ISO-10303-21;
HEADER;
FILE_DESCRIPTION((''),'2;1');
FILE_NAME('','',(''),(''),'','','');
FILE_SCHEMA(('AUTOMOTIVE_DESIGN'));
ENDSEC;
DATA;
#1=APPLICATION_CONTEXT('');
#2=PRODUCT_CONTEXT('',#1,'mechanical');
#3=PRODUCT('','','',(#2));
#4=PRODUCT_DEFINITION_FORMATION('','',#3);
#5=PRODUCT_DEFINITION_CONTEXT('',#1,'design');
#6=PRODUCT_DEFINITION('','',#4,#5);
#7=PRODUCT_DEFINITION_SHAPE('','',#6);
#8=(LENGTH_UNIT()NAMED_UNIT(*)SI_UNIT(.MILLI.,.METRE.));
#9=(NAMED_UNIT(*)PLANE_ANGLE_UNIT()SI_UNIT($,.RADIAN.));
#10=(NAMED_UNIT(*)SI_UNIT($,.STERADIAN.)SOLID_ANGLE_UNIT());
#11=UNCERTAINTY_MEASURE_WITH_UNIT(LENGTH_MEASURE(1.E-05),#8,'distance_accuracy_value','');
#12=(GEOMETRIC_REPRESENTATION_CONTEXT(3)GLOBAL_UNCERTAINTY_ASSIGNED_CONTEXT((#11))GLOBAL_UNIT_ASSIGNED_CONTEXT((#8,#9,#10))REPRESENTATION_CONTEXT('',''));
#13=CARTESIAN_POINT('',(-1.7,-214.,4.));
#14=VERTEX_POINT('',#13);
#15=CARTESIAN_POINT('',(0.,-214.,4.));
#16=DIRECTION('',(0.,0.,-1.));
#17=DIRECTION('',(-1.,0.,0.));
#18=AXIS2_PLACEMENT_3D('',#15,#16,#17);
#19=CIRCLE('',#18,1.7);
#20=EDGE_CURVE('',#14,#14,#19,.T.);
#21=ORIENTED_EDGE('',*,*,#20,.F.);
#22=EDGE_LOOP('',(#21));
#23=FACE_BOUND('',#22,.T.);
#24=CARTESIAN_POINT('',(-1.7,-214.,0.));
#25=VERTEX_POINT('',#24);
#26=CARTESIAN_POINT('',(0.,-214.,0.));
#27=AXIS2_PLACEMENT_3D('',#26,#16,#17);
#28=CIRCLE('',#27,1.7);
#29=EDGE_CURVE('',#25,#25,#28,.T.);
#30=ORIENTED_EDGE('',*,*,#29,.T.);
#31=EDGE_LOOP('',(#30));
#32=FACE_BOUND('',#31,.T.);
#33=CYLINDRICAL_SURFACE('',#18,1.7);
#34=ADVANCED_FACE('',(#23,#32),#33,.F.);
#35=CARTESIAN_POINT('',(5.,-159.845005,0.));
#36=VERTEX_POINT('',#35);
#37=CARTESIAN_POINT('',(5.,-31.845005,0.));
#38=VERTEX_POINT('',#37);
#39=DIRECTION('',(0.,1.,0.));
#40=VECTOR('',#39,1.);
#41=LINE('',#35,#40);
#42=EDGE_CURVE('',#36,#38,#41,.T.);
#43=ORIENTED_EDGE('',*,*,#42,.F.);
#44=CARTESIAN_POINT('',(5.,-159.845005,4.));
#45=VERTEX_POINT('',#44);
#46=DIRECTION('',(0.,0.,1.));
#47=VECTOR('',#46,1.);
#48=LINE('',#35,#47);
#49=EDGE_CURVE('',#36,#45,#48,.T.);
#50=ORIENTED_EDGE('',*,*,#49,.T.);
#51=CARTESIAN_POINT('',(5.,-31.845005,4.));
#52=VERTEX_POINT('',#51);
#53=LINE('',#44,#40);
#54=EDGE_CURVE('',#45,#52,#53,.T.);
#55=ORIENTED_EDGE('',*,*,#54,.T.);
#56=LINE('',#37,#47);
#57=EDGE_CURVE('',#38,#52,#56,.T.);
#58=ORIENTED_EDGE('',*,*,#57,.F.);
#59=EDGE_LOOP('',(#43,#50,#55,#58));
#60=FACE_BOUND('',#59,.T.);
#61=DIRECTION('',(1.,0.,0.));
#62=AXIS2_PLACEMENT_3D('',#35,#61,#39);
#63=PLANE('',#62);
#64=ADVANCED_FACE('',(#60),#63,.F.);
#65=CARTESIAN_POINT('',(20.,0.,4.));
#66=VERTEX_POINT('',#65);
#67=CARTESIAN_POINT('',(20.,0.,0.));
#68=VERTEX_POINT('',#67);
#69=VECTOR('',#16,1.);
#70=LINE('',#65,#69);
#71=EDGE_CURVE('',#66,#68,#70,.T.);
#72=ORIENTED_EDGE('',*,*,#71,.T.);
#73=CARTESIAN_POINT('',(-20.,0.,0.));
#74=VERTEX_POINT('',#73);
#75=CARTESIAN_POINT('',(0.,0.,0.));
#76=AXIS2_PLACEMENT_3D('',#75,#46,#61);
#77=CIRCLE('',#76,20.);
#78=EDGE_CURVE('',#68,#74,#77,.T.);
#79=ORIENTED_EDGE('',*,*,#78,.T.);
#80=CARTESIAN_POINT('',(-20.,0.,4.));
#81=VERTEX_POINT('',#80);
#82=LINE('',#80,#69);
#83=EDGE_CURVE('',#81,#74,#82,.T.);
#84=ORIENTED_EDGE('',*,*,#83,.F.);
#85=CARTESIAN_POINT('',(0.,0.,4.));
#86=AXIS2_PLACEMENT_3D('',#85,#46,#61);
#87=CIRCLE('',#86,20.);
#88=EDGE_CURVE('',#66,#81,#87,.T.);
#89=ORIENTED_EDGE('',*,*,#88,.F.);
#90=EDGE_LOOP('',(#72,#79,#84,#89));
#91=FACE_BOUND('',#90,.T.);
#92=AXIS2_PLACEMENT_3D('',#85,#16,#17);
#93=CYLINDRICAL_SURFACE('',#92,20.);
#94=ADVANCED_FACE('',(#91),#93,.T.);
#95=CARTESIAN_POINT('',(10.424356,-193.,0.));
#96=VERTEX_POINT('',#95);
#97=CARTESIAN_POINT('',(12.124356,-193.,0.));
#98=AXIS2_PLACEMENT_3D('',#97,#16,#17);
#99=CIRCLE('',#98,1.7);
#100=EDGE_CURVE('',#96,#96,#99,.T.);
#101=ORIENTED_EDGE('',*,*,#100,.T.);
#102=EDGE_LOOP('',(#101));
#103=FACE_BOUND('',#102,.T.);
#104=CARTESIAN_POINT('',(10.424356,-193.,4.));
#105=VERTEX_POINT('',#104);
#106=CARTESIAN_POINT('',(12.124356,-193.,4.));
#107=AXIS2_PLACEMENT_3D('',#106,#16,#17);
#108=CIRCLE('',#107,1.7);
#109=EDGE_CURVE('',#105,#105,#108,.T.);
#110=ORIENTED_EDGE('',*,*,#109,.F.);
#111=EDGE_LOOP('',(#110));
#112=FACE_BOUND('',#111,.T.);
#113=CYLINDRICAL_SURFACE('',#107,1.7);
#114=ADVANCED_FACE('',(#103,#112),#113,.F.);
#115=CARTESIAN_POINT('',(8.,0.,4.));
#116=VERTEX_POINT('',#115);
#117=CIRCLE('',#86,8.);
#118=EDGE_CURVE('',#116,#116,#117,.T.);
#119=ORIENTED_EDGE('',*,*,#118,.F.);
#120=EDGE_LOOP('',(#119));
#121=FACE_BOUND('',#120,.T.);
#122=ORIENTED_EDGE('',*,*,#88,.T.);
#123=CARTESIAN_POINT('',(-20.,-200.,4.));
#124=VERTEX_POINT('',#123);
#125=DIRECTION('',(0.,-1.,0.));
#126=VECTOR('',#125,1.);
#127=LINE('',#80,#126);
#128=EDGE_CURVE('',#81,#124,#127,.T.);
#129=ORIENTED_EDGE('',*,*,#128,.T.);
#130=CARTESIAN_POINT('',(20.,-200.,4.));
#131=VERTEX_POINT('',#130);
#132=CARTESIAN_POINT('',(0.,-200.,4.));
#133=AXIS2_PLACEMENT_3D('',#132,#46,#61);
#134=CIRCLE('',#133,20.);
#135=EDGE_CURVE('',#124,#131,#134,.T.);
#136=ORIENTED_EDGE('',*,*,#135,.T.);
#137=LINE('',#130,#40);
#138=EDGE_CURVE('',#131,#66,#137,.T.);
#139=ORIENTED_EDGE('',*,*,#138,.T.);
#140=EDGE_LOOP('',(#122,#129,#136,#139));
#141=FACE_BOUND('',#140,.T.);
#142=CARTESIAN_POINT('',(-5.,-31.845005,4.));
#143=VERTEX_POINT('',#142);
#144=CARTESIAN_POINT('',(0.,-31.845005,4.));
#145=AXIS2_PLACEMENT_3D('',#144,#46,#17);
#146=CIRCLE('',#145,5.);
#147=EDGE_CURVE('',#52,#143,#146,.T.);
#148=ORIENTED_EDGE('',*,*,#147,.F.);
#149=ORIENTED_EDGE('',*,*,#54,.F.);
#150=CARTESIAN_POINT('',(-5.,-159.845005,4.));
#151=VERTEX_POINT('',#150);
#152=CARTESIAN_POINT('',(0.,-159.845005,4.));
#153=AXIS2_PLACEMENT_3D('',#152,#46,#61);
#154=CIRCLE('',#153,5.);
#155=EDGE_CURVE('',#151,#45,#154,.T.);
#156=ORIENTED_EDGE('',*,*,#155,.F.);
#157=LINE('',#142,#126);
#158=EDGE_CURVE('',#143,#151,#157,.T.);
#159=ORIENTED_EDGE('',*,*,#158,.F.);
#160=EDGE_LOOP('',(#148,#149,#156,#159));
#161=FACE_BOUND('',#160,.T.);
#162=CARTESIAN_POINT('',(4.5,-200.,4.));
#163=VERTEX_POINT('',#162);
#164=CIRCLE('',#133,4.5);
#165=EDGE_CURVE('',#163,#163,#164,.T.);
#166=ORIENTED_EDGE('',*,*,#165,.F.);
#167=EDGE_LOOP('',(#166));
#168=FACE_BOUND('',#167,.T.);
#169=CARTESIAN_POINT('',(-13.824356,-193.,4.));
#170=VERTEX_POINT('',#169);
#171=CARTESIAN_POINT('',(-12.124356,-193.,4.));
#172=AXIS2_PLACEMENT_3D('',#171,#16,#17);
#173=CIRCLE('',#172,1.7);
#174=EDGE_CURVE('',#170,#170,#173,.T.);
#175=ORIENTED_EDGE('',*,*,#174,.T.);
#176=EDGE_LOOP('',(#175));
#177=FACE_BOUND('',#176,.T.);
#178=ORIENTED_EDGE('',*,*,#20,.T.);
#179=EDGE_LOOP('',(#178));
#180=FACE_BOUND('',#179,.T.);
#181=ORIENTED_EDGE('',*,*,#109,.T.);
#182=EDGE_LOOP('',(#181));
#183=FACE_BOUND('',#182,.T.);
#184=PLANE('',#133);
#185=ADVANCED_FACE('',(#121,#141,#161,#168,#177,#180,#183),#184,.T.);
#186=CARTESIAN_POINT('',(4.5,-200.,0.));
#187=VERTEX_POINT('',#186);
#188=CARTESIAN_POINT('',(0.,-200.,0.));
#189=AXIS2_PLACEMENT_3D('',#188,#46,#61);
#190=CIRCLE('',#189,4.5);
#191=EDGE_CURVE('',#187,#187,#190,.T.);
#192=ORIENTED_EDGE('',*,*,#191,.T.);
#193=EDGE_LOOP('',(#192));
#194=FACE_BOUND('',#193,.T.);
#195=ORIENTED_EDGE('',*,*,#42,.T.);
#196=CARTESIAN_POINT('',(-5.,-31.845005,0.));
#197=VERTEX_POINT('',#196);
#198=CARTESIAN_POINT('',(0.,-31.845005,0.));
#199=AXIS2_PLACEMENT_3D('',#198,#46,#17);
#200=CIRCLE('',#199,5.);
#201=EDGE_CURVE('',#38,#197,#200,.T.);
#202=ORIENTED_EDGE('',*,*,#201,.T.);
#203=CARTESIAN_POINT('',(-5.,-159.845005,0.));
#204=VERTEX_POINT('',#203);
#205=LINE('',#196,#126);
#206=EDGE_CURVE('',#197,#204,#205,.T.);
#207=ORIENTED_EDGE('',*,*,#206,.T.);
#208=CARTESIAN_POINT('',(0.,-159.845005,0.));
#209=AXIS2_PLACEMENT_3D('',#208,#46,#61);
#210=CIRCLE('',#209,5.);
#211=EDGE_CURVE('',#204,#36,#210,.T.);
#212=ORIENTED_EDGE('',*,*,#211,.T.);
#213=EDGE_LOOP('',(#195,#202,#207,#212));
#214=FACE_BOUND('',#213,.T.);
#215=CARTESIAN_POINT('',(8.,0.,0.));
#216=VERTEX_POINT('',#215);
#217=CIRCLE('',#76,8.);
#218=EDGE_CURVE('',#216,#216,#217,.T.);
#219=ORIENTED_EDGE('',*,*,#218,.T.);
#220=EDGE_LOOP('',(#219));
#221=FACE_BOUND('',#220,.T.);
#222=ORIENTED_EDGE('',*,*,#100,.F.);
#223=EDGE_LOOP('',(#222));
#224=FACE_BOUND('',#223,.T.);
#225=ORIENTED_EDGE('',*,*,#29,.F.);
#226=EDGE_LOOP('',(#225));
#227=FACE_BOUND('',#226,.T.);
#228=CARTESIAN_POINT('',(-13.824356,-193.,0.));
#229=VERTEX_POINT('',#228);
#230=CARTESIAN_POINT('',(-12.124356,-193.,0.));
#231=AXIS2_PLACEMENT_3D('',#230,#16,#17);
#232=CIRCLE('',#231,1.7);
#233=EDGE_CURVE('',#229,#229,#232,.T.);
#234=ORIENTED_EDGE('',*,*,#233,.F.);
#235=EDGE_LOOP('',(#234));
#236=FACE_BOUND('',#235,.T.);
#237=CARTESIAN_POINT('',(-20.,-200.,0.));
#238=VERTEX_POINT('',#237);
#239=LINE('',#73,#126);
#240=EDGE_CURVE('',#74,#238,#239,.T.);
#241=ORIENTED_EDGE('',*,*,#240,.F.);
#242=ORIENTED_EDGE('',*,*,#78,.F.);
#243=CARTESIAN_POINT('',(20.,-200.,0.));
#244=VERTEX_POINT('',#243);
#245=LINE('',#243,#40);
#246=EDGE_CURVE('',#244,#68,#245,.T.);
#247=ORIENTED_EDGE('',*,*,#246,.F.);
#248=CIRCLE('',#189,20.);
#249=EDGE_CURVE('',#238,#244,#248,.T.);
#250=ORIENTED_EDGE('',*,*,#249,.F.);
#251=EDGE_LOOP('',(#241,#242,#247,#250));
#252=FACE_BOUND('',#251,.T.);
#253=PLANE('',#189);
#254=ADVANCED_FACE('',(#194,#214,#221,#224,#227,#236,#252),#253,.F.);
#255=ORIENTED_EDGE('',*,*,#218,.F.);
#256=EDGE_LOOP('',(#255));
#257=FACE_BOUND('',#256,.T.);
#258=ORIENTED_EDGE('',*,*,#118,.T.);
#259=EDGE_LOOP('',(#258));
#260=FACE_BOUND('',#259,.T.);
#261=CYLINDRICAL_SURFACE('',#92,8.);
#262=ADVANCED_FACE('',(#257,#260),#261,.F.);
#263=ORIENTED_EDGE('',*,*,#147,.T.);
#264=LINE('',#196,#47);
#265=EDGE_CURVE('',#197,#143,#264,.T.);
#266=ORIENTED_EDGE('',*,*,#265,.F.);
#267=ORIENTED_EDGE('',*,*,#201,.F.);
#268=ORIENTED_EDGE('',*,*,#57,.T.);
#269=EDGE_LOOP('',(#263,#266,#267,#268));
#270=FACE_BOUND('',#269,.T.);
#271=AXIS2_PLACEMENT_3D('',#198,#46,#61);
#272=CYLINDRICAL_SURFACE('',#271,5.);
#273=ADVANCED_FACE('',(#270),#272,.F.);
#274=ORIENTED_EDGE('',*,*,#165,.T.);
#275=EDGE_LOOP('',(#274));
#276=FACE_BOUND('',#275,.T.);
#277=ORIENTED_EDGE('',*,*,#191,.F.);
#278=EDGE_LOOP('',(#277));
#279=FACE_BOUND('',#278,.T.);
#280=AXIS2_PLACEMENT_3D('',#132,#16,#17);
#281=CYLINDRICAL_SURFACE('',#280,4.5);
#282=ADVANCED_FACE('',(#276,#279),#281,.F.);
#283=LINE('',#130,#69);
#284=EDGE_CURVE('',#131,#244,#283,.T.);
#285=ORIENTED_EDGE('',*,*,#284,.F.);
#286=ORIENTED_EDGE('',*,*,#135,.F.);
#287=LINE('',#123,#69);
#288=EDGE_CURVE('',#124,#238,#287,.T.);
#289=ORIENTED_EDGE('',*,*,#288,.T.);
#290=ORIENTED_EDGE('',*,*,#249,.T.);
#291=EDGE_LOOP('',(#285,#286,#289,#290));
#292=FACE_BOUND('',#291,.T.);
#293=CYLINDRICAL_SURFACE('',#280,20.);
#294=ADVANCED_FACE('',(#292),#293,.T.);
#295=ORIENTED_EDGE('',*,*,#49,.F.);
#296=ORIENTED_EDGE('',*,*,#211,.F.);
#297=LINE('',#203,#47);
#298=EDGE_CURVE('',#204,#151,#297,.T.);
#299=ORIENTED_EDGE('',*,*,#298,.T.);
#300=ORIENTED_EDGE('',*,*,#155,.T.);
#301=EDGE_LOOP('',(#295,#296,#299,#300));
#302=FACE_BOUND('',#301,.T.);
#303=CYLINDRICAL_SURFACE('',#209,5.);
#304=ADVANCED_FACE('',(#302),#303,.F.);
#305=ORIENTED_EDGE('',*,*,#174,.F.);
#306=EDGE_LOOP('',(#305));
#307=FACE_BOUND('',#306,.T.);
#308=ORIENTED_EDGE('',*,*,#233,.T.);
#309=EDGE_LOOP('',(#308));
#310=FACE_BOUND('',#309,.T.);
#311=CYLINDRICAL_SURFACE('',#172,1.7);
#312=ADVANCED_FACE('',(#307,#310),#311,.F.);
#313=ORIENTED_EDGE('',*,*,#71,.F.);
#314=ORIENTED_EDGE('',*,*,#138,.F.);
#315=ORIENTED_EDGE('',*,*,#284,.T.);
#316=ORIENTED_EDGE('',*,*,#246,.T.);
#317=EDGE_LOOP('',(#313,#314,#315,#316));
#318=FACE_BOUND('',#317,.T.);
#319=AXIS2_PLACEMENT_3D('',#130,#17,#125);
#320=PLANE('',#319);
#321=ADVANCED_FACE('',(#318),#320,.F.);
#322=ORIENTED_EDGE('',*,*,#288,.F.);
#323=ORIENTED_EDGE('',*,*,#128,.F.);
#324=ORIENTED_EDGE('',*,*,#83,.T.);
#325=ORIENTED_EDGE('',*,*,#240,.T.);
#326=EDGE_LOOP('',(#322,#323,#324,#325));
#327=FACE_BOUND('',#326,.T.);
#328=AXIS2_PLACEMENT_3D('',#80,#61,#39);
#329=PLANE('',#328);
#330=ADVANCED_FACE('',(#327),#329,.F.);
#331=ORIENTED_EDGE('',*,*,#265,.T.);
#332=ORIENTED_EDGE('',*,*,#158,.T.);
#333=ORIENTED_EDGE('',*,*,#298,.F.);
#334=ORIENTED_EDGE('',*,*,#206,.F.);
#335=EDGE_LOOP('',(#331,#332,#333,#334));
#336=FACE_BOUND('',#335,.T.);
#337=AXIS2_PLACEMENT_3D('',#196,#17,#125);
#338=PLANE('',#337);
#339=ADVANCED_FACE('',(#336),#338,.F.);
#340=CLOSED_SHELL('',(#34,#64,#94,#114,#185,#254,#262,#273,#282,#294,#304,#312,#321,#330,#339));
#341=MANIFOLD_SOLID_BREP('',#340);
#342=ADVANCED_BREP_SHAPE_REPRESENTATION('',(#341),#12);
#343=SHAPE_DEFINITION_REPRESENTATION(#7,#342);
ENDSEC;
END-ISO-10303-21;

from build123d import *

# Parameters (mm, degrees)
SKETCH_1_R          = 8
SKETCH_1_R_2        = 4.5
EXTRUDE_1_DEPTH     = 4
CUT_EXTRUDE_2_DEPTH = 221.943431674
SKETCH_3_R          = 1.7
CUT_EXTRUDE_3_DEPTH = 221.943431674


with BuildPart() as part:
    # 草图1 → 凸台-拉伸1 (new body)
    with BuildSketch(Plane.XY):
        with BuildLine():
            Line((-20, 0), (-20, -200))
            ThreePointArc((-20, -200), (0, -220), (20, -200))
            Line((20, -200), (20, 0))
            ThreePointArc((20, 0), (0, 20), (-20, 0))
        make_face()
        Circle(SKETCH_1_R, mode=Mode.SUBTRACT)
        with Locations((0, -200)):
            Circle(SKETCH_1_R_2, mode=Mode.SUBTRACT)
    extrude(amount=EXTRUDE_1_DEPTH)

    # 草图2 → 切除-拉伸2 (cut, through all)
    with BuildSketch(Plane.XY.offset(4)):
        with BuildLine():
            Line((-5, -31.845004689), (-5, -159.845004689))
            ThreePointArc((-5, -159.845004689), (0, -164.845004689), (5, -159.845004689))
            Line((5, -159.845004689), (5, -31.845004689))
            ThreePointArc((5, -31.845004689), (0, -26.845004689), (-5, -31.845004689))
        make_face()
    extrude(amount=-CUT_EXTRUDE_2_DEPTH, mode=Mode.SUBTRACT)

    # 草图3 → 切除-拉伸3 (cut, through all)
    with BuildSketch(Plane(origin=(0, 0, 0), x_dir=(-1, 0, 0), z_dir=(0, 0, -1))):
        with Locations((0, -214)):
            Circle(SKETCH_3_R)
        with Locations((-12.124355653, -193)):
            Circle(SKETCH_3_R)
        with Locations((12.124355653, -193)):
            Circle(SKETCH_3_R)
    extrude(amount=-CUT_EXTRUDE_3_DEPTH, mode=Mode.SUBTRACT)


solid = part.part
